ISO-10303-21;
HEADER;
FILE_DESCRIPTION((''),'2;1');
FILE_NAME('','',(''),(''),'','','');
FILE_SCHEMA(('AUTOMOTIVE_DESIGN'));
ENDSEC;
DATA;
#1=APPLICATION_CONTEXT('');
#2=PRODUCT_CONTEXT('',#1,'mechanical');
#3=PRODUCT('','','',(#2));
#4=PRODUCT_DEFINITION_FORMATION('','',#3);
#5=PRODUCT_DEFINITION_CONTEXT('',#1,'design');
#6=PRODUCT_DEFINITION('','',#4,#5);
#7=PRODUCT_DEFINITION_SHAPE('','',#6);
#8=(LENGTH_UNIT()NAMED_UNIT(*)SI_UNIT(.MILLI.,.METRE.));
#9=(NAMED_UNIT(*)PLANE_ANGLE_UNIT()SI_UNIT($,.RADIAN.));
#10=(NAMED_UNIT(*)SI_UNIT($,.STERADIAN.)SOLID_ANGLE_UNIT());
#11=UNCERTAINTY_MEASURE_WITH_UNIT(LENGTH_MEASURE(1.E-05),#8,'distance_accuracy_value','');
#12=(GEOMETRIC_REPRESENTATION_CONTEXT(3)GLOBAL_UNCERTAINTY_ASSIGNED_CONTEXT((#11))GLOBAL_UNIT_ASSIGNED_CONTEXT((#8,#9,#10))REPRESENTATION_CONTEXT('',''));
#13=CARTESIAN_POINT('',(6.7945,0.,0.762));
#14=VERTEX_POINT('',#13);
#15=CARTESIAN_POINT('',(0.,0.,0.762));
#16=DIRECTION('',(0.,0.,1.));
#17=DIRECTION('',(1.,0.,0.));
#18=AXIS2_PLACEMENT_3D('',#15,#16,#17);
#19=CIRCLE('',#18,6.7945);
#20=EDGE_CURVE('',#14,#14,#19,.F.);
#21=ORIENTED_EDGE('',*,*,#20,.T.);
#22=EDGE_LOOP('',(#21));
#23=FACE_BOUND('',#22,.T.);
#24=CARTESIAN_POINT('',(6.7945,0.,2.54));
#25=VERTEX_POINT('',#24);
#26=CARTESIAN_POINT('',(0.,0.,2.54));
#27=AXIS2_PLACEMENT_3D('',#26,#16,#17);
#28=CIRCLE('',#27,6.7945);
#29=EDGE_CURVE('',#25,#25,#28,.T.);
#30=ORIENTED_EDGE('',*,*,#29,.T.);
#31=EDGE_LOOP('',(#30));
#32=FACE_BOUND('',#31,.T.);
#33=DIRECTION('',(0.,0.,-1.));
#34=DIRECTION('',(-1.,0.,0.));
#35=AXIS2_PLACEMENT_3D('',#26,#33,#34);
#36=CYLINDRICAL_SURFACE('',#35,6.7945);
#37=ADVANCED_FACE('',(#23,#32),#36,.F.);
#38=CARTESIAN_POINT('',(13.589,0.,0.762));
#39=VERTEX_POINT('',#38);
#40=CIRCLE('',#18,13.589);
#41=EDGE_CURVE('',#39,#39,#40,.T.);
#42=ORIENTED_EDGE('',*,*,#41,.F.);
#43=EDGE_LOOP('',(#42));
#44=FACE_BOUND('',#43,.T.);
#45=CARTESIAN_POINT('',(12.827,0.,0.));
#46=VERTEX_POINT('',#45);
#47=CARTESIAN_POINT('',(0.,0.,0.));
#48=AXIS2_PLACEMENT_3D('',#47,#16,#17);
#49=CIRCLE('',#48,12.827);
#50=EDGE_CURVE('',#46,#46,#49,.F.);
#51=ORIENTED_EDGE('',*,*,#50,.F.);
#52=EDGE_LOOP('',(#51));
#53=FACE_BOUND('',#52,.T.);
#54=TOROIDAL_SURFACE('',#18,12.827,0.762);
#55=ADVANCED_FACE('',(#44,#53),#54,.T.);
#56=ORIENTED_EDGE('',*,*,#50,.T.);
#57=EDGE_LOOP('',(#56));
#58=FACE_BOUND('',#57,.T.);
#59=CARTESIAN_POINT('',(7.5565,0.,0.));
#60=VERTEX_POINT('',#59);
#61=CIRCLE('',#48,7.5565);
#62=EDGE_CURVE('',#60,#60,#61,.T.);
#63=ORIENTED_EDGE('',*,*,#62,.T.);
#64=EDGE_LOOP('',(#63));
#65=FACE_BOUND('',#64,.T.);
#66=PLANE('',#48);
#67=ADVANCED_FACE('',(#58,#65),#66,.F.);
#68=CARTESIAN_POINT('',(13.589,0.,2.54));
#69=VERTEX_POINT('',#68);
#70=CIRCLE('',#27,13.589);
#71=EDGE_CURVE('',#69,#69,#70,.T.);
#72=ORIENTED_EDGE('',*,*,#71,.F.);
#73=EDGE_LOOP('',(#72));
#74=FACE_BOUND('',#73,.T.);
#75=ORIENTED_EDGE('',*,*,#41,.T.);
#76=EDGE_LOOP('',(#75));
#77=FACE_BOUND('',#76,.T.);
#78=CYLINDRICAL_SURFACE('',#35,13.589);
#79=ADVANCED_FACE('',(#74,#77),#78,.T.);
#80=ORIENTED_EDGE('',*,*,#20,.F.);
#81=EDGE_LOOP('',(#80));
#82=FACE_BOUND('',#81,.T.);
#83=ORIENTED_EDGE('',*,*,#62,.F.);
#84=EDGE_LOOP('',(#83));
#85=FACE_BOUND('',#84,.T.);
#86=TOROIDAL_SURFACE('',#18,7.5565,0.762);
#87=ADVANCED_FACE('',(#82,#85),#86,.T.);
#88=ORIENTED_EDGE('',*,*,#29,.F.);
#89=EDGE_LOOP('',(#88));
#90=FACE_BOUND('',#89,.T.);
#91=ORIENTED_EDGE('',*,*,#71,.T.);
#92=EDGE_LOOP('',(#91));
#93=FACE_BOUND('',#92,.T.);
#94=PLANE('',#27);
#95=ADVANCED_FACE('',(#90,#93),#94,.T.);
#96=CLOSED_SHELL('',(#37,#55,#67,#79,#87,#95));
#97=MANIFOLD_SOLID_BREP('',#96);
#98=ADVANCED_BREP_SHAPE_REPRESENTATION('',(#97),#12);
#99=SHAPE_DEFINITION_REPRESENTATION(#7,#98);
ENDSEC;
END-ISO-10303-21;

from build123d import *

# Parameters (mm, degrees)
SKETCH1_R           = 13.589
SKETCH1_R_2         = 6.7945
BOSS_EXTRUDE1_DEPTH = 2.54
FILLET1_R           = 0.762


with BuildPart() as part:
    # Sketch1 → Boss-Extrude1 (new body)
    with BuildSketch(Plane.XY):
        Circle(SKETCH1_R)
        Circle(SKETCH1_R_2, mode=Mode.SUBTRACT)
    extrude(amount=BOSS_EXTRUDE1_DEPTH)

    # Fillet1
    fillet1_edges = [part.edges().sort_by_distance(p)[0] for p in [
        (-13.589, 0, 0),
        (-6.7945, 0, 0),
    ]]
    fillet(fillet1_edges, radius=FILLET1_R)


solid = part.part
